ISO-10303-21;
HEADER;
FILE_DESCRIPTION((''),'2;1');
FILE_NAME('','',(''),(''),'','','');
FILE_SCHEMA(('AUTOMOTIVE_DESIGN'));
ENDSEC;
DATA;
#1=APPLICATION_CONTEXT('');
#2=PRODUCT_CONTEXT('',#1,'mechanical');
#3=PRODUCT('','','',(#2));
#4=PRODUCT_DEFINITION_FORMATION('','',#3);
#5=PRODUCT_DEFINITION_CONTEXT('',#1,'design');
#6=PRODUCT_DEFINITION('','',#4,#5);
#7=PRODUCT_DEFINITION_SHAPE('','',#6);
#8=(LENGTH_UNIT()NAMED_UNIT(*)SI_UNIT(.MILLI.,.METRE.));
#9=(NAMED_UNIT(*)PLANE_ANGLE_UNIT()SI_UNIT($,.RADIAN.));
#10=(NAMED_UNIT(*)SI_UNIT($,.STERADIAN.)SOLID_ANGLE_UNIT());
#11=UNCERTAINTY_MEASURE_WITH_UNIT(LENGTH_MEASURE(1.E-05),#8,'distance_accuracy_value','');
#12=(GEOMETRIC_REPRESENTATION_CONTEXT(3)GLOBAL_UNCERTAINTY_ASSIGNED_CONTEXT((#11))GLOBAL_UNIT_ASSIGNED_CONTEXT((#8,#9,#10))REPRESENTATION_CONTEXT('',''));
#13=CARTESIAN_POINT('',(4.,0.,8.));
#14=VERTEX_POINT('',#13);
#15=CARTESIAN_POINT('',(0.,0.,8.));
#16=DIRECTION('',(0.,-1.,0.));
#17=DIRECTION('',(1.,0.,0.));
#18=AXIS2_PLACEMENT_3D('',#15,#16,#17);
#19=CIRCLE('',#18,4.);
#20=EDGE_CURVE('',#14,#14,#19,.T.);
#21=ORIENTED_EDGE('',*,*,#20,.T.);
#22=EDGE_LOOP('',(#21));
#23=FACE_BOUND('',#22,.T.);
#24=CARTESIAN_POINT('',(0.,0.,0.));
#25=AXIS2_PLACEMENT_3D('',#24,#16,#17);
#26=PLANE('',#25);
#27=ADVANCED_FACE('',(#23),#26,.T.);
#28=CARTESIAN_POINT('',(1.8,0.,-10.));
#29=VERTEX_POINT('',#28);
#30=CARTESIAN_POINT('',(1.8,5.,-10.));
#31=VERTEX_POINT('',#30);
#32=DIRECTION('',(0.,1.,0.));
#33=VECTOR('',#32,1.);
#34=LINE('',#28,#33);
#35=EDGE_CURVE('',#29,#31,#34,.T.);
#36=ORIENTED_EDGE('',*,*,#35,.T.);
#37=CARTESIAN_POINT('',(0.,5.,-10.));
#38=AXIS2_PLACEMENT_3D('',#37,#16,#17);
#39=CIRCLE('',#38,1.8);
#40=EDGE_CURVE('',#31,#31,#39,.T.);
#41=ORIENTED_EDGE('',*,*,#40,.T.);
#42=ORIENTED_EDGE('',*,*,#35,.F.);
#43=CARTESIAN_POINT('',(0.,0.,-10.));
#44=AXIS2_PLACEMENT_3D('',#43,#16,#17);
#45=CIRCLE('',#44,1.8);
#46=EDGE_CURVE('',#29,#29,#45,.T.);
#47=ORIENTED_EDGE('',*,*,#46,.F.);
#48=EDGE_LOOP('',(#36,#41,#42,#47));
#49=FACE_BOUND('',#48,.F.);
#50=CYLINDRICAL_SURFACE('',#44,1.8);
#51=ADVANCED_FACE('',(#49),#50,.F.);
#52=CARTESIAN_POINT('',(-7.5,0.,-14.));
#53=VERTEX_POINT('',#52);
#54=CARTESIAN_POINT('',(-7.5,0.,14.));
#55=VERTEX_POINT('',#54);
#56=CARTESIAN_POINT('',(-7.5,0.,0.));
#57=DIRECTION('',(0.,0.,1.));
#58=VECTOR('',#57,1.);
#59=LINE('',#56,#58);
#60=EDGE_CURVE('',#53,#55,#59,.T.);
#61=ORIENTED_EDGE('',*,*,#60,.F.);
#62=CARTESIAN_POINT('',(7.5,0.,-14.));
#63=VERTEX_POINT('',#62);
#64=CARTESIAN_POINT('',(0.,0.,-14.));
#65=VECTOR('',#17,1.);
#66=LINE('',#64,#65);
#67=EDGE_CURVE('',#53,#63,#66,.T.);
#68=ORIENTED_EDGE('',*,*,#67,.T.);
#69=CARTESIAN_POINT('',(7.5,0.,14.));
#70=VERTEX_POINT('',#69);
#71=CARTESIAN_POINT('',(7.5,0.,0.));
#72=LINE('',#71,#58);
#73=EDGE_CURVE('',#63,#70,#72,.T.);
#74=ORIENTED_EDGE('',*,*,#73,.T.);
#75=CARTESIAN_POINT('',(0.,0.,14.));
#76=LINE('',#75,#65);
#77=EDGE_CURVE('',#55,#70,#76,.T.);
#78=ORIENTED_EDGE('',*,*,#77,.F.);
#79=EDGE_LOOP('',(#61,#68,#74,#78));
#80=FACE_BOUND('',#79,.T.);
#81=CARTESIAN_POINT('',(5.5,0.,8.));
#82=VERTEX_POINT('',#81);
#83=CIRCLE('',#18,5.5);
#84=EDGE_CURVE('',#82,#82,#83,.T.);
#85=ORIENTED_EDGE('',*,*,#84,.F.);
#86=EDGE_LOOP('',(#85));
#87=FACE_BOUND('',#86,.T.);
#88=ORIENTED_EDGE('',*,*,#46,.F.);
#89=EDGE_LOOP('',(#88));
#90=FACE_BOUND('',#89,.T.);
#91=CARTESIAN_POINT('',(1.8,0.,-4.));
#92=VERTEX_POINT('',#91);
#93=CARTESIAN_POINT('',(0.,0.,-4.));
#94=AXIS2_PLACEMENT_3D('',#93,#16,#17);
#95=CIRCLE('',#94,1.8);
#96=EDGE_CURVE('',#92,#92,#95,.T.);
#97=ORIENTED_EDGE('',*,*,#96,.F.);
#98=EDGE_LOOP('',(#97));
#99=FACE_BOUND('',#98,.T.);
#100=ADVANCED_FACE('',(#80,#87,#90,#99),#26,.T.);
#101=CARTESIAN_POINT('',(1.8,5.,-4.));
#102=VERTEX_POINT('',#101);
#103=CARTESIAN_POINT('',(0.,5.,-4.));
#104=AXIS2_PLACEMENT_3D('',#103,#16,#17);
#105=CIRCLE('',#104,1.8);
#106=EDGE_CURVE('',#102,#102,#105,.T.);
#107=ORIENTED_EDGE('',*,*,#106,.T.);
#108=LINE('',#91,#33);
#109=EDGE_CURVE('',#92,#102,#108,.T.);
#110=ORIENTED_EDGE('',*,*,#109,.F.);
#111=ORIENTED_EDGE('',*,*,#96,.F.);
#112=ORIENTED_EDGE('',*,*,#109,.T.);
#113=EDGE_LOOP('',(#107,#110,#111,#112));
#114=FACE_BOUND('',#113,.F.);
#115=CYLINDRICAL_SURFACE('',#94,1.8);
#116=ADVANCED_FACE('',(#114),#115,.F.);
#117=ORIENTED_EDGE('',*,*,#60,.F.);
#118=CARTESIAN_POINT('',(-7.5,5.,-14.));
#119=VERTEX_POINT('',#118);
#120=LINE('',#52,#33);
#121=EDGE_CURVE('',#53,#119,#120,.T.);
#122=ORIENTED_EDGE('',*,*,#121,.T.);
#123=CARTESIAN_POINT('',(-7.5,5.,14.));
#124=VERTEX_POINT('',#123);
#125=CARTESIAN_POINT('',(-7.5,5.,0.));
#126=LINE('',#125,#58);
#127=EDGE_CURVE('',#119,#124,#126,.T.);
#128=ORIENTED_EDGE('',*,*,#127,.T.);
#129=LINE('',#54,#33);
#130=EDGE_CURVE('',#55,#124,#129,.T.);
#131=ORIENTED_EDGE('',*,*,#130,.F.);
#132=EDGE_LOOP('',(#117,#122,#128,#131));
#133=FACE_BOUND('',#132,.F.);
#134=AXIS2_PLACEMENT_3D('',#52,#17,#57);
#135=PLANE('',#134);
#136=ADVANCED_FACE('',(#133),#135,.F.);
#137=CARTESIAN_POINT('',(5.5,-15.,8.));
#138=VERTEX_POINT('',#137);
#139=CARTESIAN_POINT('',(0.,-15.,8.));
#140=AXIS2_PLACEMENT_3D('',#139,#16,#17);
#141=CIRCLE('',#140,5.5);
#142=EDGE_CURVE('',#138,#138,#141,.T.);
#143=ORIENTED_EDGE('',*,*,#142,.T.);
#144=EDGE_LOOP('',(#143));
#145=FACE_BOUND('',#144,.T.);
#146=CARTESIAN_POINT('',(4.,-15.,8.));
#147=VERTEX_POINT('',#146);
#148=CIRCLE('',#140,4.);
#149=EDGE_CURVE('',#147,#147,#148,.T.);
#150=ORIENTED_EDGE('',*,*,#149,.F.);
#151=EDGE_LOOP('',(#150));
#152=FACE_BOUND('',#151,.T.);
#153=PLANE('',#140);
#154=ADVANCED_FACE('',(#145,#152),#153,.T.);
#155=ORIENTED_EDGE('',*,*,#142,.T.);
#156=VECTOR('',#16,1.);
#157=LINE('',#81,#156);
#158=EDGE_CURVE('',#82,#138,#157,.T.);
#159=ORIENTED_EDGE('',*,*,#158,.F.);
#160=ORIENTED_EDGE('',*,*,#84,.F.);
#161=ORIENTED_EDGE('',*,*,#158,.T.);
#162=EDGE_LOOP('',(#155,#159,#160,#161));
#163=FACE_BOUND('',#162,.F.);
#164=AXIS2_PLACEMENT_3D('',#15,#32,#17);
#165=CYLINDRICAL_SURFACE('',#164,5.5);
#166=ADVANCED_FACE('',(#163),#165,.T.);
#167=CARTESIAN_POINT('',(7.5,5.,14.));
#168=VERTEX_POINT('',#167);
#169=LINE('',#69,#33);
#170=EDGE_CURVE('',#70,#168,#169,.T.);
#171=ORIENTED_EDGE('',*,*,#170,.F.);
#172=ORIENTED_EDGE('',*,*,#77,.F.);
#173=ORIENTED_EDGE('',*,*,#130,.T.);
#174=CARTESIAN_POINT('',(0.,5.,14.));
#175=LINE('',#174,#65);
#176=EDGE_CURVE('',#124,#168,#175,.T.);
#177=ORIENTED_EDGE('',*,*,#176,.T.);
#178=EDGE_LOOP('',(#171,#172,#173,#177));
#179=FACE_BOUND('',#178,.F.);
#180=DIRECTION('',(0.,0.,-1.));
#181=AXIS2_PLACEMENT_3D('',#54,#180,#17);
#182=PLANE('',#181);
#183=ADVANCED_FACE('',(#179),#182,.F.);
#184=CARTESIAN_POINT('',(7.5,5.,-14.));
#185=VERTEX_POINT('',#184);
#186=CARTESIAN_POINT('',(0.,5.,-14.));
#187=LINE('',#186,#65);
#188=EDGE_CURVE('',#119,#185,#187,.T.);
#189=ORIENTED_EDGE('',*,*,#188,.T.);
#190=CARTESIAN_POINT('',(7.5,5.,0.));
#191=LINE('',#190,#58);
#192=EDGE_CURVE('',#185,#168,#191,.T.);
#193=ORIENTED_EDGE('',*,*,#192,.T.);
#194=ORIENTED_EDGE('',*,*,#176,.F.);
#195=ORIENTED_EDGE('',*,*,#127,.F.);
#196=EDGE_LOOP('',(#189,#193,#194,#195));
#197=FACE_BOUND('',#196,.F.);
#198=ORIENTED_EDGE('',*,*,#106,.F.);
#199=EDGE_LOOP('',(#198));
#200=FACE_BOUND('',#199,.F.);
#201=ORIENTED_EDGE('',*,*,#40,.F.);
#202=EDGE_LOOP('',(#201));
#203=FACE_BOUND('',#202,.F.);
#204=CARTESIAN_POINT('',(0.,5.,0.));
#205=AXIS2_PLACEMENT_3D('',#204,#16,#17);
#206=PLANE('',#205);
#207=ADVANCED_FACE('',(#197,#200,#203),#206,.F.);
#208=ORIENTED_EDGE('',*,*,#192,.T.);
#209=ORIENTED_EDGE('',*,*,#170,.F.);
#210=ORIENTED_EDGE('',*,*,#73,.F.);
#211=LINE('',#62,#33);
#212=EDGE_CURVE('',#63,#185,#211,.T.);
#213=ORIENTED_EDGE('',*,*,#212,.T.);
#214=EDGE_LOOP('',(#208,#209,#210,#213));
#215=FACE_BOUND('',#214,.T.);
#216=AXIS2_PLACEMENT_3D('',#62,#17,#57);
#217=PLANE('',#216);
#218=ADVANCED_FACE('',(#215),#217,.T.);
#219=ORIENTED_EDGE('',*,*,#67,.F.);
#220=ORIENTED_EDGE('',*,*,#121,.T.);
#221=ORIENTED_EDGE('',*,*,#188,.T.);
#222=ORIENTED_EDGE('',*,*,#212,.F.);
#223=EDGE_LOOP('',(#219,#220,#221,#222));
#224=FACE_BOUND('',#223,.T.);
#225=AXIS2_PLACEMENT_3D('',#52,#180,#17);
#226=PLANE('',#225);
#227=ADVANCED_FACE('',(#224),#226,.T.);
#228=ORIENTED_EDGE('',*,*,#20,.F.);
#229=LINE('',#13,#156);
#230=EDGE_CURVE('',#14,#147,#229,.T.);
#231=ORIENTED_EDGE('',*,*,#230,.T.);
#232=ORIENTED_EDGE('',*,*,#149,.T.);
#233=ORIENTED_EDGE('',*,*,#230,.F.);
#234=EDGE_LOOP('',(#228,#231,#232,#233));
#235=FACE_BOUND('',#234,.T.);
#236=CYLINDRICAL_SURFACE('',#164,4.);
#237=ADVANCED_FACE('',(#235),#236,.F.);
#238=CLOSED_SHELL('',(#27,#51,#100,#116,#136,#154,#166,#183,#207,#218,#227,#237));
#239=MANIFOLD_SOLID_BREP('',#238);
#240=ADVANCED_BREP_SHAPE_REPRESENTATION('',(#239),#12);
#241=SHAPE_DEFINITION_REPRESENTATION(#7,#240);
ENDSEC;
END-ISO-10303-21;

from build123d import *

# Parameters (mm, degrees)
F0_W     = 15
F0_H     = 28
F0_R     = 1.8
F0_R_2   = 5.5
F0_R_3   = 4
F1_DEPTH = 5
F2_DEPTH = 15


with BuildPart() as f1:
    # F0 (on Front) → F1 (new body)
    with BuildSketch(Plane.XZ):
        Rectangle(F0_W, F0_H)
        with Locations((0, -10)):
            Circle(F0_R, mode=Mode.SUBTRACT)
        with Locations((0, -4)):
            Circle(F0_R, mode=Mode.SUBTRACT)
        with Locations((0, 8)):
            Circle(F0_R_2, mode=Mode.SUBTRACT)
        with Locations((0, 8)):
            Circle(F0_R_2)
        with Locations((0, 8)):
            Circle(F0_R_3, mode=Mode.SUBTRACT)
        with Locations((0, 8)):
            Circle(F0_R_3)
    extrude(amount=-F1_DEPTH)

    # F0 (on Front) → F2 (join)
    with BuildSketch(Plane.XZ):
        with Locations((0, 8)):
            Circle(F0_R_2)
        with Locations((0, 8)):
            Circle(F0_R_3, mode=Mode.SUBTRACT)
    extrude(amount=F2_DEPTH)


solid = f1.part
